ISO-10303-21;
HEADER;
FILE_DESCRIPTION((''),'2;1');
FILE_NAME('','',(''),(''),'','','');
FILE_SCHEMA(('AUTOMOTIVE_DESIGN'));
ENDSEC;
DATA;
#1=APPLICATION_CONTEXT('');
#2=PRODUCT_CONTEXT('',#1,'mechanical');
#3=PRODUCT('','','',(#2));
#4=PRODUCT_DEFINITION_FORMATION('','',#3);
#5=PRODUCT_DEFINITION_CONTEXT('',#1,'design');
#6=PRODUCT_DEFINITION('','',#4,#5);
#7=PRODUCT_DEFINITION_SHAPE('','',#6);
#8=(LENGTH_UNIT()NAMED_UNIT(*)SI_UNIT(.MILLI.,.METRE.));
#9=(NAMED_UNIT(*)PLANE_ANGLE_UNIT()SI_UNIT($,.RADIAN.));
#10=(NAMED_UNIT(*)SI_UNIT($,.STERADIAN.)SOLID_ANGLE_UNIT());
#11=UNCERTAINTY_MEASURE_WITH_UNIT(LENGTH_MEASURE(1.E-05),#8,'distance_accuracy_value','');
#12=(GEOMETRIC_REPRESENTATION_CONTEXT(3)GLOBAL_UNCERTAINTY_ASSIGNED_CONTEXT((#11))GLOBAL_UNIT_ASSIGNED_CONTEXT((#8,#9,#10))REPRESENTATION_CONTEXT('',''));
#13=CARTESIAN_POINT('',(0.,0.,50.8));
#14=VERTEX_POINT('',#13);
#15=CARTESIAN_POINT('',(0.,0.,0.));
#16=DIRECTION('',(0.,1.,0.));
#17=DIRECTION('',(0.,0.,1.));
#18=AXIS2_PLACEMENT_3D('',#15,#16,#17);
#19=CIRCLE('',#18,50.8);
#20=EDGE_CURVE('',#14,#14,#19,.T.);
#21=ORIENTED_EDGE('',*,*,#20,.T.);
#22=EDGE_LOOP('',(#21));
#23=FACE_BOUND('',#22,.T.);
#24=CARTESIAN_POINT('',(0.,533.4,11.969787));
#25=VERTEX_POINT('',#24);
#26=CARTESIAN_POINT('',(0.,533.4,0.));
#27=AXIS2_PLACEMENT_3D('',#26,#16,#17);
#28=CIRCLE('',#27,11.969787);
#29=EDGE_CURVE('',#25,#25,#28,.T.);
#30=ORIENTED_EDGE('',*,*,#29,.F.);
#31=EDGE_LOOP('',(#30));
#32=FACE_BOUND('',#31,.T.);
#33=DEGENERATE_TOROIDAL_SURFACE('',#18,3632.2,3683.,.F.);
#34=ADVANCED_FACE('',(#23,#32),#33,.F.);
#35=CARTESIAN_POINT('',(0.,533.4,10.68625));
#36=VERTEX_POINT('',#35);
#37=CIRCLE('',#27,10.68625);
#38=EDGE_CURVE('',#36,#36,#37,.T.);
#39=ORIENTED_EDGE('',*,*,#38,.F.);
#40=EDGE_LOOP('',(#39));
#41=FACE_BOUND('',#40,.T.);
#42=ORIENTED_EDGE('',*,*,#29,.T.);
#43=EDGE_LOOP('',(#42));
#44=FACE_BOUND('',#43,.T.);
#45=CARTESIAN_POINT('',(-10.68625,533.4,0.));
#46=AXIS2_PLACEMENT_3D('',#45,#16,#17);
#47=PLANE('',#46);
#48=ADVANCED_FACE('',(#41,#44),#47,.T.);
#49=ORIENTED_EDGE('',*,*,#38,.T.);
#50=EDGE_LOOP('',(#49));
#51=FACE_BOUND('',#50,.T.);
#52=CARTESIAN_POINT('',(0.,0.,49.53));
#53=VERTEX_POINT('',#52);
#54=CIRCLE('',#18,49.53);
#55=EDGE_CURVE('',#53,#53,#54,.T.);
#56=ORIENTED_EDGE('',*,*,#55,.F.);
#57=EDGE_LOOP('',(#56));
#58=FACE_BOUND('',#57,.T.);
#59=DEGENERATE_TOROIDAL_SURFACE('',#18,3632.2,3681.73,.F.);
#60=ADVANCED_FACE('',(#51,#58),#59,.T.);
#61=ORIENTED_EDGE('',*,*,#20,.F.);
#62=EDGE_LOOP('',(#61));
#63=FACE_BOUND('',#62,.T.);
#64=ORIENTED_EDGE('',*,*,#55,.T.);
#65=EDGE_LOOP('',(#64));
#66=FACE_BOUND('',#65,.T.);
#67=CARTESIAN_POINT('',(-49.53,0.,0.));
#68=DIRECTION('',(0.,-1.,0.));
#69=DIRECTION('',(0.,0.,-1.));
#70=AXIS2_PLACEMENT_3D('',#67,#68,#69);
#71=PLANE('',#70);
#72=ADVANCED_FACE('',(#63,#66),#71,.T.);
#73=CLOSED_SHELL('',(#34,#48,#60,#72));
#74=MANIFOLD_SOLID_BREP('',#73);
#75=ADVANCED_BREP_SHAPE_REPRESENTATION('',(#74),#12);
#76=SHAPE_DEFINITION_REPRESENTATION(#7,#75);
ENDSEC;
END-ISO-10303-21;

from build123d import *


with BuildPart() as part:
    # Sketch1 → Revolve3 (revolve)
    with BuildSketch(Plane.XY, mode=Mode.PRIVATE) as revolve3_sk:
        with BuildLine():
            Line((-49.53, 0), (-50.8, 0))
            ThreePointArc((-50.8, 0), (-41.079619584, 267.405752277), (-11.969787482, 533.4))
            Line((-11.969787482, 533.4), (-10.686250338, 533.4))
            ThreePointArc((-10.686250338, 533.4), (-39.806221901, 267.406243798), (-49.53, 0))
        make_face()
    revolve(revolve3_sk.sketch.rotate(Axis((0, 609.6, 0), (0, -1, 0)), 270), axis=Axis((0, 609.6, 0), (0, -1, 0)))


solid = part.part
